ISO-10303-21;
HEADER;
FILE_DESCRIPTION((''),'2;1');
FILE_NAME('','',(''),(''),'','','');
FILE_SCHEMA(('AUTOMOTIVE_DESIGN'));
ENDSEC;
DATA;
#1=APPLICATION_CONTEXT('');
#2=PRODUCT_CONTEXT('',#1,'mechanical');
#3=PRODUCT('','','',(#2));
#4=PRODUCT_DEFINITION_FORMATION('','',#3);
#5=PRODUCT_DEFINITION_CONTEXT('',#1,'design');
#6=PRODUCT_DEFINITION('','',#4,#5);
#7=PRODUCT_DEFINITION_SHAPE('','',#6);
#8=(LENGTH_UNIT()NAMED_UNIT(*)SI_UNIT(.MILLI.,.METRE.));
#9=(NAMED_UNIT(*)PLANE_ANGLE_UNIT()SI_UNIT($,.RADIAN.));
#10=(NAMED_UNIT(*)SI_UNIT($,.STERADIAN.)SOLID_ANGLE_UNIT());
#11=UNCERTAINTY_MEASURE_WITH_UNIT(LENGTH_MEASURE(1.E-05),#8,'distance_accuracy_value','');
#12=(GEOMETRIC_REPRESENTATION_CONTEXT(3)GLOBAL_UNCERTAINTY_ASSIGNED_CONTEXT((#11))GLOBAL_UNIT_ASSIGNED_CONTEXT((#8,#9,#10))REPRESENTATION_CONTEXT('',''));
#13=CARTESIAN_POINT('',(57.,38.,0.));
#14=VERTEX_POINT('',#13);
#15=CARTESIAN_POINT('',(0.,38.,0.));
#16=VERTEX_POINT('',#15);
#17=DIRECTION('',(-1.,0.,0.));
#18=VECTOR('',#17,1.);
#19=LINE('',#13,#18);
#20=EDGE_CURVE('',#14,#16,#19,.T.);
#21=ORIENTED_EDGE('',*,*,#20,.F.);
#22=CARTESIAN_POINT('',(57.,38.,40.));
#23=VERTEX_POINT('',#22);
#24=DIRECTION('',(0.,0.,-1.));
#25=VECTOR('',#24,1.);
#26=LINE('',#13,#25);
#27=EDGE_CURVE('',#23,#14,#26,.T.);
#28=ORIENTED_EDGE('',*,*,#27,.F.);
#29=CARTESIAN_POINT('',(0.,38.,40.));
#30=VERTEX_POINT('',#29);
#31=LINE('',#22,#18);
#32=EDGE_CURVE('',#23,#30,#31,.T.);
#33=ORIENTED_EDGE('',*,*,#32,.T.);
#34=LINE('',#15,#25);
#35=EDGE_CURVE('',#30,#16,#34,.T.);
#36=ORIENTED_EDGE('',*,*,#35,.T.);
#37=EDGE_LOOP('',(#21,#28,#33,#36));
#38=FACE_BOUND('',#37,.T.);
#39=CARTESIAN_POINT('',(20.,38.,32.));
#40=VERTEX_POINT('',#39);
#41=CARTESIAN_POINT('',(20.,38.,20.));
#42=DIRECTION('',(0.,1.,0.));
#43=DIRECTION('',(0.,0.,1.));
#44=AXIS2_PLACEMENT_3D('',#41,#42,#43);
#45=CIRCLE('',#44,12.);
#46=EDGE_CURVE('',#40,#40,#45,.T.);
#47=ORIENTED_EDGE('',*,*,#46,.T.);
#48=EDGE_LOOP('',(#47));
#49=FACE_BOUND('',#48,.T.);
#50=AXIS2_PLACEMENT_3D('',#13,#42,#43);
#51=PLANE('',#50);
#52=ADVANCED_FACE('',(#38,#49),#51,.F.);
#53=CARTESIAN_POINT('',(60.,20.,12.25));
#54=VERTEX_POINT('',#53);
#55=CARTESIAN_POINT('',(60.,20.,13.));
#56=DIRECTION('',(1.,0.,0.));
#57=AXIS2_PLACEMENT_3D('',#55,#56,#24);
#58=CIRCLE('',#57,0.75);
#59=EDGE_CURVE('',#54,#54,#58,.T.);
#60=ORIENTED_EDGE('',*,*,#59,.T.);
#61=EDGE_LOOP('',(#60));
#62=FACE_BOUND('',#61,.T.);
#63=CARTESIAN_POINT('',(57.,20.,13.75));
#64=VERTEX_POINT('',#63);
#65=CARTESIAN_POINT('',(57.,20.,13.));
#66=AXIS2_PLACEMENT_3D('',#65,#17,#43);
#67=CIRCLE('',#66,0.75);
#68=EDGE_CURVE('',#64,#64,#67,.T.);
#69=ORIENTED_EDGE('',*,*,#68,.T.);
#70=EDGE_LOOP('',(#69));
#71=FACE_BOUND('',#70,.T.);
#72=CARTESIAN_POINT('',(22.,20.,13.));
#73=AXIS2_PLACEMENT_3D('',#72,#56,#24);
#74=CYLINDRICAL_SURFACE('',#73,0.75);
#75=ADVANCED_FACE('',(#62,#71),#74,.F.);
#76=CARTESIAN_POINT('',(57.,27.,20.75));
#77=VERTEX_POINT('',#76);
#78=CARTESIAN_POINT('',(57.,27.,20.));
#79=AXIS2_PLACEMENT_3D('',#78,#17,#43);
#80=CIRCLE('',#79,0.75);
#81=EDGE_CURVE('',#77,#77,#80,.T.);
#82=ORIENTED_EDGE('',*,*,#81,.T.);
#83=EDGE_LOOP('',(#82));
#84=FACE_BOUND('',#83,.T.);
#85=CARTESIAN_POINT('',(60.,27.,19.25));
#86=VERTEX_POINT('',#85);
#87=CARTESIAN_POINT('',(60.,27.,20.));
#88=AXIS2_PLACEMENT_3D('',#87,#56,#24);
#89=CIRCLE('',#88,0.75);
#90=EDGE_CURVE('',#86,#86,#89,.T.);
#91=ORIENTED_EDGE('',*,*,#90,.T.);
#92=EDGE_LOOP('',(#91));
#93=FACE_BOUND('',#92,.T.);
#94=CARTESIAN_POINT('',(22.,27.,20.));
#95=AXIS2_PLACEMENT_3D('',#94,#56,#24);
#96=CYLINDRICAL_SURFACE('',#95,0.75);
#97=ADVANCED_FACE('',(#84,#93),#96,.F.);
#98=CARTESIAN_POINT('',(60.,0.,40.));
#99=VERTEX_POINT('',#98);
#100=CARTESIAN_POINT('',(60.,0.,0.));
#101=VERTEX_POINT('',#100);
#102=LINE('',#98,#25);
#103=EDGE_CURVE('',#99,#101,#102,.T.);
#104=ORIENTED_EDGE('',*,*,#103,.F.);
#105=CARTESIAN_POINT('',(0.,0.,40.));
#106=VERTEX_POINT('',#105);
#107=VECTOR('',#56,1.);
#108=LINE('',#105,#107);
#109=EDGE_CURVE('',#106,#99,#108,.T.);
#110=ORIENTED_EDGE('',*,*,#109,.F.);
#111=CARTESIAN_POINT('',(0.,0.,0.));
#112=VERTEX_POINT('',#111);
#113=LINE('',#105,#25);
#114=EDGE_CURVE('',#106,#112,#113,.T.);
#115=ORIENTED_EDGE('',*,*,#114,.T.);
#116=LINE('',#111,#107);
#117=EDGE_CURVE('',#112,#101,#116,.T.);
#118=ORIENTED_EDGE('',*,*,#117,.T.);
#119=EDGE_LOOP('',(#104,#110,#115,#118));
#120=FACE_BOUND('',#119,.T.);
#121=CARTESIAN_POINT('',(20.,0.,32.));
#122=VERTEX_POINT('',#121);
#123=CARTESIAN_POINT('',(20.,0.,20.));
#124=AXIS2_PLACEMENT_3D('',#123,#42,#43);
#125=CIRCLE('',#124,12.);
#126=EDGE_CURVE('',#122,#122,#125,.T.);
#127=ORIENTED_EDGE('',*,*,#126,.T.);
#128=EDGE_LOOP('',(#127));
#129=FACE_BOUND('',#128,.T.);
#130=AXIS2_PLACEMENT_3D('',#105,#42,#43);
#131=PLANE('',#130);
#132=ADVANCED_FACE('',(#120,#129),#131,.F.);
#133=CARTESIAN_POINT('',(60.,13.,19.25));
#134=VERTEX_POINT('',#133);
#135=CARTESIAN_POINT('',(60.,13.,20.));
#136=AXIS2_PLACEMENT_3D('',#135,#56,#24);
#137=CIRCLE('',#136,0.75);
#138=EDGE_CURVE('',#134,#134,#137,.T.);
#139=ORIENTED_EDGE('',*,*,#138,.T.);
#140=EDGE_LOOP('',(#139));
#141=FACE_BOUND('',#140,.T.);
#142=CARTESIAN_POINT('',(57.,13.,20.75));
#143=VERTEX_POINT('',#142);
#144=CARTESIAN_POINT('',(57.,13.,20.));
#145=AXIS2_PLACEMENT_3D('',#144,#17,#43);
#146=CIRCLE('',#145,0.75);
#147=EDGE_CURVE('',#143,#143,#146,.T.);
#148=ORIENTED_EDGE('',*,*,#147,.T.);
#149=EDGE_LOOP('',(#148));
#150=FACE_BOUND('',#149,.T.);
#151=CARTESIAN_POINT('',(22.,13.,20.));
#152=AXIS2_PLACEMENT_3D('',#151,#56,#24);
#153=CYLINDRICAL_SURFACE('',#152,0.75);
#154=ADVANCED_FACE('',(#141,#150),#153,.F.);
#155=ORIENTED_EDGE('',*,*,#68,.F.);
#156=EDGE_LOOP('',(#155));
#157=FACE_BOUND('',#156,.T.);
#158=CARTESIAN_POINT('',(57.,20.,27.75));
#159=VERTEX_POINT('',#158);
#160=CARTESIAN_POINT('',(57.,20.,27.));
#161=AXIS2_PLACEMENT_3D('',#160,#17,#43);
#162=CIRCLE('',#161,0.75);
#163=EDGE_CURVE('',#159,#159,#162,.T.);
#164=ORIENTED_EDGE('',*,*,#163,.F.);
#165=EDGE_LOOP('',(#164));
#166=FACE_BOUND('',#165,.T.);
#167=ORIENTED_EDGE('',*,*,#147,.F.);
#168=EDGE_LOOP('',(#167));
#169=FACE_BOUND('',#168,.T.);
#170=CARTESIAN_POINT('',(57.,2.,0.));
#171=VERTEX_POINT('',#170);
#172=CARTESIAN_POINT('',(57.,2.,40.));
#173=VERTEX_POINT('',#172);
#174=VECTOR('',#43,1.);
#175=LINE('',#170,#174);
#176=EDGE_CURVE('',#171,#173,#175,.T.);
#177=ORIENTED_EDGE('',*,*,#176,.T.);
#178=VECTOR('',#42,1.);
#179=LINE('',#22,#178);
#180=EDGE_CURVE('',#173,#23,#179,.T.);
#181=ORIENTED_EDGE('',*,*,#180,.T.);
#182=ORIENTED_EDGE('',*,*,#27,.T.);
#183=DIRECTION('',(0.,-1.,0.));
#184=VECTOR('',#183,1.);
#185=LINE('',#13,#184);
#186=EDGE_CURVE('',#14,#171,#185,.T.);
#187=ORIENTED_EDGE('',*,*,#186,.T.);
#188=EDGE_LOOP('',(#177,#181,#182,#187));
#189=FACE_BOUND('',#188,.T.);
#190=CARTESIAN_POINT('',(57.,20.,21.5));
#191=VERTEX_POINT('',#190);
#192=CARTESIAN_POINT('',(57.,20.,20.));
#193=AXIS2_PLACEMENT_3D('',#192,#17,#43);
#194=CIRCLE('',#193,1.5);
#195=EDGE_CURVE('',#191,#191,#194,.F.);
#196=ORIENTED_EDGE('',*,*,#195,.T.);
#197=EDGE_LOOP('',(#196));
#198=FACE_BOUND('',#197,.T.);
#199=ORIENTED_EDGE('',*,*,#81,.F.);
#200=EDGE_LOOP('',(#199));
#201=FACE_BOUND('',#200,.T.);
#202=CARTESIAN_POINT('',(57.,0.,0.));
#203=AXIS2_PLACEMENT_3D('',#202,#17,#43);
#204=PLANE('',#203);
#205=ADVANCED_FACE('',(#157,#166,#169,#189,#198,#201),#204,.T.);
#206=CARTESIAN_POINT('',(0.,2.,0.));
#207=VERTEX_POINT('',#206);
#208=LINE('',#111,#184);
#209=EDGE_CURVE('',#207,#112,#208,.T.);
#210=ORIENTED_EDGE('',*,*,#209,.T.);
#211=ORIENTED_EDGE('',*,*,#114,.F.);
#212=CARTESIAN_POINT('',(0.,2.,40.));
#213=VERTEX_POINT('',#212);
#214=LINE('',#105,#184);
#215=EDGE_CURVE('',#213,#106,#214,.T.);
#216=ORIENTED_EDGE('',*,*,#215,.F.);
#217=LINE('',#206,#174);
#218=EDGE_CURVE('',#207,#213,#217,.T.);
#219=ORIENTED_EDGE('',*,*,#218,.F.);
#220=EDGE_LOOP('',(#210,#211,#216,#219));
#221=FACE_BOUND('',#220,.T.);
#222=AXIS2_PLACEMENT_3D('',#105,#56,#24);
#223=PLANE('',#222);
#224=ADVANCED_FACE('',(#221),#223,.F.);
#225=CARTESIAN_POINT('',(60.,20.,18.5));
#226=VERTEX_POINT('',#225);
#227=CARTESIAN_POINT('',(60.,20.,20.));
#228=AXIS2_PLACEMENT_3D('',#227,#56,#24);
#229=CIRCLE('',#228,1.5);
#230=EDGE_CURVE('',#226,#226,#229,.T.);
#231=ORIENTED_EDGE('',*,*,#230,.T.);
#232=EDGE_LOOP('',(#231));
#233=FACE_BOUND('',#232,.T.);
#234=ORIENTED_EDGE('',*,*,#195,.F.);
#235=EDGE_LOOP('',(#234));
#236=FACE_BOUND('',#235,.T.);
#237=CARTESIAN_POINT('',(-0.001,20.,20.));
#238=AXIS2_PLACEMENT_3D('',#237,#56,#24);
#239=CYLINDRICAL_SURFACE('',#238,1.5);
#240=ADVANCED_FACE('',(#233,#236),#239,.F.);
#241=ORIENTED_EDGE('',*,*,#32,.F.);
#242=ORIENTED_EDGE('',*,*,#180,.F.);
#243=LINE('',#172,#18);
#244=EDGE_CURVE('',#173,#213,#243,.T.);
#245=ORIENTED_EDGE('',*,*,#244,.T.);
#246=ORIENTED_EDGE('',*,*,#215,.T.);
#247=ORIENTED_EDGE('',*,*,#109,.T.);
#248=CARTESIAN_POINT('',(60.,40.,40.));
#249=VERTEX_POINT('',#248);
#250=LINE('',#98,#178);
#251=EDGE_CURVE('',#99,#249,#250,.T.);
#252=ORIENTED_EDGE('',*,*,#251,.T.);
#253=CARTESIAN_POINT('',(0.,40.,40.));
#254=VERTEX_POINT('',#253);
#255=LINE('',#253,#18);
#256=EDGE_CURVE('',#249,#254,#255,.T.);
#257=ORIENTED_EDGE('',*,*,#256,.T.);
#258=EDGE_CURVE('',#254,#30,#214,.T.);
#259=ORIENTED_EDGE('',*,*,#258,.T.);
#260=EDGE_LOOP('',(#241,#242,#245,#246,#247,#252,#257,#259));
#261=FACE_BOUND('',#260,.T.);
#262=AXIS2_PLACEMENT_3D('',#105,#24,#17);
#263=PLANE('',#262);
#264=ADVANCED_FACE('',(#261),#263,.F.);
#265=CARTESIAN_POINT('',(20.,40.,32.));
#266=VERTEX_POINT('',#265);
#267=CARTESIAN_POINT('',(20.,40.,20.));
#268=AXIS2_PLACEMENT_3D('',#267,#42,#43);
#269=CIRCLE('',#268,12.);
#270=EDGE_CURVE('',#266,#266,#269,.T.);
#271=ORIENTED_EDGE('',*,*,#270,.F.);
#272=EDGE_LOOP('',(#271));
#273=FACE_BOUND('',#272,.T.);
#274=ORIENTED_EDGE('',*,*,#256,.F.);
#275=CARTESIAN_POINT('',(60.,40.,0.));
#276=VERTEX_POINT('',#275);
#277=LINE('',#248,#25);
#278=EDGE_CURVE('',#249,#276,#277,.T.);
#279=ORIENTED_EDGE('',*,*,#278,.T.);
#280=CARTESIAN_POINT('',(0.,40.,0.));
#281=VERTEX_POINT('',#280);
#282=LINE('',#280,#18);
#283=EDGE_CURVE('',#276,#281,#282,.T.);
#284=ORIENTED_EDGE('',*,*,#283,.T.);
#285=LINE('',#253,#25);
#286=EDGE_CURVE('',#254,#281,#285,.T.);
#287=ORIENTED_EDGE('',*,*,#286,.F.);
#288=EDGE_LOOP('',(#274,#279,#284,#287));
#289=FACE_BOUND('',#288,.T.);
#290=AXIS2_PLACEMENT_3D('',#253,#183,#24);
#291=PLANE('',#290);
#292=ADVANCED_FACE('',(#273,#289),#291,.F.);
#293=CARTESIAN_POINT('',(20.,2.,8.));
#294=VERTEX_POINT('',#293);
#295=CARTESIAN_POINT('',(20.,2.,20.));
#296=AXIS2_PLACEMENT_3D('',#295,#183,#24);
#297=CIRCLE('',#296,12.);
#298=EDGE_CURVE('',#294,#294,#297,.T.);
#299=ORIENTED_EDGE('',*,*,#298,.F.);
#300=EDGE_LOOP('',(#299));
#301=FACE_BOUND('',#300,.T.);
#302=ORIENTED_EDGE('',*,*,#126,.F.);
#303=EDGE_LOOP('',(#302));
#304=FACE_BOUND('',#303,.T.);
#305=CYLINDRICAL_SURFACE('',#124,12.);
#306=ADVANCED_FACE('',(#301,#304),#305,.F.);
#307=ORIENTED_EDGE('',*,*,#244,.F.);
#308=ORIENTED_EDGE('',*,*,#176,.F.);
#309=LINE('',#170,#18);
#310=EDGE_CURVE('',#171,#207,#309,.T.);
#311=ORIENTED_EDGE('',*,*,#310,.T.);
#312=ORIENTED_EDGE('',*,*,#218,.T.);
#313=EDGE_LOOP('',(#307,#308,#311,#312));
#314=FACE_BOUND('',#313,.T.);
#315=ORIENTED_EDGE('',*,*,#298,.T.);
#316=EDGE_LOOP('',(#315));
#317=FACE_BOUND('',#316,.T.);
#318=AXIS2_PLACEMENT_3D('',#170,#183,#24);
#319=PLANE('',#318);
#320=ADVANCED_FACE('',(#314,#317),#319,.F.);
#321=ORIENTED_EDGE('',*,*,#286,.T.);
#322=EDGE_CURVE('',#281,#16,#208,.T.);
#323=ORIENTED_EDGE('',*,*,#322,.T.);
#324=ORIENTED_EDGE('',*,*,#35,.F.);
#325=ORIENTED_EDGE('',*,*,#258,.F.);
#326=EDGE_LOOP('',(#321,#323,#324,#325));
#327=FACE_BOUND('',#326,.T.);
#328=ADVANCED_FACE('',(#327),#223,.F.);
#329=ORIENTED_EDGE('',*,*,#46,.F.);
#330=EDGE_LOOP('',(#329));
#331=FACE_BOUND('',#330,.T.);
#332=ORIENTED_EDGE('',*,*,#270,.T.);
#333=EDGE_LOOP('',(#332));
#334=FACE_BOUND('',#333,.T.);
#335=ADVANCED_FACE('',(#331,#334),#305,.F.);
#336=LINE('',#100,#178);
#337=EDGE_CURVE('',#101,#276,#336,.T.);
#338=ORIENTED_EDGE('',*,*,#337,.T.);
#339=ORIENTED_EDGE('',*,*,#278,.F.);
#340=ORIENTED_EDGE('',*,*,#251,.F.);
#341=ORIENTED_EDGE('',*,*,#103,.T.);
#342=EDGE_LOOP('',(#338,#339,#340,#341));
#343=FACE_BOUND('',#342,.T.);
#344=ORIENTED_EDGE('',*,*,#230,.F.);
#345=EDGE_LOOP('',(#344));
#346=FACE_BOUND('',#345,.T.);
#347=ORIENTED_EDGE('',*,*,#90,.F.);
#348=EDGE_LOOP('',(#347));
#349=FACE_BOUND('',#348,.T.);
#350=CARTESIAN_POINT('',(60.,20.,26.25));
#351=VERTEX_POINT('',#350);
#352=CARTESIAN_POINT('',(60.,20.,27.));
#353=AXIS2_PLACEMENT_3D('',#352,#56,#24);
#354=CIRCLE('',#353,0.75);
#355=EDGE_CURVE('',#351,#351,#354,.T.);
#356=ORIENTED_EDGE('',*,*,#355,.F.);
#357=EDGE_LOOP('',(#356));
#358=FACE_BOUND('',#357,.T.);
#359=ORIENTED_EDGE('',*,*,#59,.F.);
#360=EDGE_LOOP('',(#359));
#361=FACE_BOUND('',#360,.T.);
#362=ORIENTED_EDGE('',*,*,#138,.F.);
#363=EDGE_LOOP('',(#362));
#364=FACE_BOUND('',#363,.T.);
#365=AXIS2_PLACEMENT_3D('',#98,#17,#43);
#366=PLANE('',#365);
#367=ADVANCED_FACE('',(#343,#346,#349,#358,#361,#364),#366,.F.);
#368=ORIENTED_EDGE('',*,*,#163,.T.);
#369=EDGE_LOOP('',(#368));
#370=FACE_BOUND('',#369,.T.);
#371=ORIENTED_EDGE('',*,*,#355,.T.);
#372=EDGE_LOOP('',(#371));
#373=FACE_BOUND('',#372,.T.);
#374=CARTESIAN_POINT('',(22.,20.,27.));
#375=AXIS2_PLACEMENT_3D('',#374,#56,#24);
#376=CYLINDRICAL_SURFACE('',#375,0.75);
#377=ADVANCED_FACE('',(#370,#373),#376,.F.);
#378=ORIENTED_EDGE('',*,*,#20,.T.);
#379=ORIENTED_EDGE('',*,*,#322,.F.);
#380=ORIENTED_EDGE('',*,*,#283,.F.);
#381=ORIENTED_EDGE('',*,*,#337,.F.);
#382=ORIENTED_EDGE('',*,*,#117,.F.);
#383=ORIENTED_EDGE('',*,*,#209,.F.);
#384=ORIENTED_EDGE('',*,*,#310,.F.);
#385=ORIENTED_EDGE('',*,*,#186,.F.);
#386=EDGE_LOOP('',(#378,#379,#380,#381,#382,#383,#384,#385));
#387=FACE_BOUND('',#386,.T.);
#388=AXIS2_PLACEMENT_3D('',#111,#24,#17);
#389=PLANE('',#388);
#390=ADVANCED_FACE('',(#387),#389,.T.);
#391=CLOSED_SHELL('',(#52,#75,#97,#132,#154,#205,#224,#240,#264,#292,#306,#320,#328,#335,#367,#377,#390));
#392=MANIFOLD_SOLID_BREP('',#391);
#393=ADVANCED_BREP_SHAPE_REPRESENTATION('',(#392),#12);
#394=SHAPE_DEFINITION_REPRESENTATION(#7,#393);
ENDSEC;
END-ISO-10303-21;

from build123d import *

# Parameters (mm, degrees)
SKETCH_1_W          = 60
SKETCH_1_H          = 40
EXTRUDE_1_DEPTH     = 40
SKETCH_2_W          = 40
SKETCH_2_H          = 36
CUT_EXTRUDE_1_DEPTH = 57
CUT_EXTRUDE_2_REACH = 84.462
SKETCH_3_R          = 1.5
SKETCH_4_R          = 0.75
CUT_EXTRUDE_3_DEPTH = 38
SKETCH_5_R          = 12
CUT_EXTRUDE_4_DEPTH = 83.462112512


with BuildPart() as part:
    # 草图1 → 凸台-拉伸1 (new body)
    with BuildSketch(Plane.XY):
        with Locations((30, 20)):
            Rectangle(SKETCH_1_W, SKETCH_1_H)
    extrude(amount=EXTRUDE_1_DEPTH)

    # 草图2 → 切除-拉伸1 (cut)
    with BuildSketch(Plane.ZY):
        with Locations((20, 20)):
            Rectangle(SKETCH_2_W, SKETCH_2_H)
    extrude(amount=-CUT_EXTRUDE_1_DEPTH, mode=Mode.SUBTRACT)

    # 草图3 → 切除-拉伸2 (cut, up to next)
    with BuildSketch(Plane(origin=(60, 0, 0), x_dir=(0, 0, -1), z_dir=(1, 0, 0)), mode=Mode.PRIVATE) as cut_extrude_2_sk1:
        with Locations((-20, 20)):
            Circle(SKETCH_3_R)
    cut_extrude_2_tool1 = extrude(cut_extrude_2_sk1.sketch, amount=-CUT_EXTRUDE_2_REACH, mode=Mode.PRIVATE) & part.part
    add(cut_extrude_2_tool1.solids().sort_by_distance((60, 20, 20))[0], mode=Mode.SUBTRACT)

    # 草图4 → 切除-拉伸3 (cut)
    with BuildSketch(Plane(origin=(60, 0, 0), x_dir=(0, 0, -1), z_dir=(1, 0, 0))):
        with Locations((-20, 27)):
            Circle(SKETCH_4_R)
        with Locations((-13, 20)):
            Circle(SKETCH_4_R)
        with Locations((-20, 13)):
            Circle(SKETCH_4_R)
        with Locations((-27, 20)):
            Circle(SKETCH_4_R)
    extrude(amount=-CUT_EXTRUDE_3_DEPTH, mode=Mode.SUBTRACT)

    # 草图5 → 切除-拉伸4 (cut, through all)
    with BuildSketch(Plane(origin=(0, 40, 0), x_dir=(1, 0, 0), z_dir=(0, 1, 0))):
        with Locations(Location((20, -20, 0), (0, 0, 270))):
            Circle(SKETCH_5_R)
    extrude(amount=-CUT_EXTRUDE_4_DEPTH, mode=Mode.SUBTRACT)


solid = part.part
